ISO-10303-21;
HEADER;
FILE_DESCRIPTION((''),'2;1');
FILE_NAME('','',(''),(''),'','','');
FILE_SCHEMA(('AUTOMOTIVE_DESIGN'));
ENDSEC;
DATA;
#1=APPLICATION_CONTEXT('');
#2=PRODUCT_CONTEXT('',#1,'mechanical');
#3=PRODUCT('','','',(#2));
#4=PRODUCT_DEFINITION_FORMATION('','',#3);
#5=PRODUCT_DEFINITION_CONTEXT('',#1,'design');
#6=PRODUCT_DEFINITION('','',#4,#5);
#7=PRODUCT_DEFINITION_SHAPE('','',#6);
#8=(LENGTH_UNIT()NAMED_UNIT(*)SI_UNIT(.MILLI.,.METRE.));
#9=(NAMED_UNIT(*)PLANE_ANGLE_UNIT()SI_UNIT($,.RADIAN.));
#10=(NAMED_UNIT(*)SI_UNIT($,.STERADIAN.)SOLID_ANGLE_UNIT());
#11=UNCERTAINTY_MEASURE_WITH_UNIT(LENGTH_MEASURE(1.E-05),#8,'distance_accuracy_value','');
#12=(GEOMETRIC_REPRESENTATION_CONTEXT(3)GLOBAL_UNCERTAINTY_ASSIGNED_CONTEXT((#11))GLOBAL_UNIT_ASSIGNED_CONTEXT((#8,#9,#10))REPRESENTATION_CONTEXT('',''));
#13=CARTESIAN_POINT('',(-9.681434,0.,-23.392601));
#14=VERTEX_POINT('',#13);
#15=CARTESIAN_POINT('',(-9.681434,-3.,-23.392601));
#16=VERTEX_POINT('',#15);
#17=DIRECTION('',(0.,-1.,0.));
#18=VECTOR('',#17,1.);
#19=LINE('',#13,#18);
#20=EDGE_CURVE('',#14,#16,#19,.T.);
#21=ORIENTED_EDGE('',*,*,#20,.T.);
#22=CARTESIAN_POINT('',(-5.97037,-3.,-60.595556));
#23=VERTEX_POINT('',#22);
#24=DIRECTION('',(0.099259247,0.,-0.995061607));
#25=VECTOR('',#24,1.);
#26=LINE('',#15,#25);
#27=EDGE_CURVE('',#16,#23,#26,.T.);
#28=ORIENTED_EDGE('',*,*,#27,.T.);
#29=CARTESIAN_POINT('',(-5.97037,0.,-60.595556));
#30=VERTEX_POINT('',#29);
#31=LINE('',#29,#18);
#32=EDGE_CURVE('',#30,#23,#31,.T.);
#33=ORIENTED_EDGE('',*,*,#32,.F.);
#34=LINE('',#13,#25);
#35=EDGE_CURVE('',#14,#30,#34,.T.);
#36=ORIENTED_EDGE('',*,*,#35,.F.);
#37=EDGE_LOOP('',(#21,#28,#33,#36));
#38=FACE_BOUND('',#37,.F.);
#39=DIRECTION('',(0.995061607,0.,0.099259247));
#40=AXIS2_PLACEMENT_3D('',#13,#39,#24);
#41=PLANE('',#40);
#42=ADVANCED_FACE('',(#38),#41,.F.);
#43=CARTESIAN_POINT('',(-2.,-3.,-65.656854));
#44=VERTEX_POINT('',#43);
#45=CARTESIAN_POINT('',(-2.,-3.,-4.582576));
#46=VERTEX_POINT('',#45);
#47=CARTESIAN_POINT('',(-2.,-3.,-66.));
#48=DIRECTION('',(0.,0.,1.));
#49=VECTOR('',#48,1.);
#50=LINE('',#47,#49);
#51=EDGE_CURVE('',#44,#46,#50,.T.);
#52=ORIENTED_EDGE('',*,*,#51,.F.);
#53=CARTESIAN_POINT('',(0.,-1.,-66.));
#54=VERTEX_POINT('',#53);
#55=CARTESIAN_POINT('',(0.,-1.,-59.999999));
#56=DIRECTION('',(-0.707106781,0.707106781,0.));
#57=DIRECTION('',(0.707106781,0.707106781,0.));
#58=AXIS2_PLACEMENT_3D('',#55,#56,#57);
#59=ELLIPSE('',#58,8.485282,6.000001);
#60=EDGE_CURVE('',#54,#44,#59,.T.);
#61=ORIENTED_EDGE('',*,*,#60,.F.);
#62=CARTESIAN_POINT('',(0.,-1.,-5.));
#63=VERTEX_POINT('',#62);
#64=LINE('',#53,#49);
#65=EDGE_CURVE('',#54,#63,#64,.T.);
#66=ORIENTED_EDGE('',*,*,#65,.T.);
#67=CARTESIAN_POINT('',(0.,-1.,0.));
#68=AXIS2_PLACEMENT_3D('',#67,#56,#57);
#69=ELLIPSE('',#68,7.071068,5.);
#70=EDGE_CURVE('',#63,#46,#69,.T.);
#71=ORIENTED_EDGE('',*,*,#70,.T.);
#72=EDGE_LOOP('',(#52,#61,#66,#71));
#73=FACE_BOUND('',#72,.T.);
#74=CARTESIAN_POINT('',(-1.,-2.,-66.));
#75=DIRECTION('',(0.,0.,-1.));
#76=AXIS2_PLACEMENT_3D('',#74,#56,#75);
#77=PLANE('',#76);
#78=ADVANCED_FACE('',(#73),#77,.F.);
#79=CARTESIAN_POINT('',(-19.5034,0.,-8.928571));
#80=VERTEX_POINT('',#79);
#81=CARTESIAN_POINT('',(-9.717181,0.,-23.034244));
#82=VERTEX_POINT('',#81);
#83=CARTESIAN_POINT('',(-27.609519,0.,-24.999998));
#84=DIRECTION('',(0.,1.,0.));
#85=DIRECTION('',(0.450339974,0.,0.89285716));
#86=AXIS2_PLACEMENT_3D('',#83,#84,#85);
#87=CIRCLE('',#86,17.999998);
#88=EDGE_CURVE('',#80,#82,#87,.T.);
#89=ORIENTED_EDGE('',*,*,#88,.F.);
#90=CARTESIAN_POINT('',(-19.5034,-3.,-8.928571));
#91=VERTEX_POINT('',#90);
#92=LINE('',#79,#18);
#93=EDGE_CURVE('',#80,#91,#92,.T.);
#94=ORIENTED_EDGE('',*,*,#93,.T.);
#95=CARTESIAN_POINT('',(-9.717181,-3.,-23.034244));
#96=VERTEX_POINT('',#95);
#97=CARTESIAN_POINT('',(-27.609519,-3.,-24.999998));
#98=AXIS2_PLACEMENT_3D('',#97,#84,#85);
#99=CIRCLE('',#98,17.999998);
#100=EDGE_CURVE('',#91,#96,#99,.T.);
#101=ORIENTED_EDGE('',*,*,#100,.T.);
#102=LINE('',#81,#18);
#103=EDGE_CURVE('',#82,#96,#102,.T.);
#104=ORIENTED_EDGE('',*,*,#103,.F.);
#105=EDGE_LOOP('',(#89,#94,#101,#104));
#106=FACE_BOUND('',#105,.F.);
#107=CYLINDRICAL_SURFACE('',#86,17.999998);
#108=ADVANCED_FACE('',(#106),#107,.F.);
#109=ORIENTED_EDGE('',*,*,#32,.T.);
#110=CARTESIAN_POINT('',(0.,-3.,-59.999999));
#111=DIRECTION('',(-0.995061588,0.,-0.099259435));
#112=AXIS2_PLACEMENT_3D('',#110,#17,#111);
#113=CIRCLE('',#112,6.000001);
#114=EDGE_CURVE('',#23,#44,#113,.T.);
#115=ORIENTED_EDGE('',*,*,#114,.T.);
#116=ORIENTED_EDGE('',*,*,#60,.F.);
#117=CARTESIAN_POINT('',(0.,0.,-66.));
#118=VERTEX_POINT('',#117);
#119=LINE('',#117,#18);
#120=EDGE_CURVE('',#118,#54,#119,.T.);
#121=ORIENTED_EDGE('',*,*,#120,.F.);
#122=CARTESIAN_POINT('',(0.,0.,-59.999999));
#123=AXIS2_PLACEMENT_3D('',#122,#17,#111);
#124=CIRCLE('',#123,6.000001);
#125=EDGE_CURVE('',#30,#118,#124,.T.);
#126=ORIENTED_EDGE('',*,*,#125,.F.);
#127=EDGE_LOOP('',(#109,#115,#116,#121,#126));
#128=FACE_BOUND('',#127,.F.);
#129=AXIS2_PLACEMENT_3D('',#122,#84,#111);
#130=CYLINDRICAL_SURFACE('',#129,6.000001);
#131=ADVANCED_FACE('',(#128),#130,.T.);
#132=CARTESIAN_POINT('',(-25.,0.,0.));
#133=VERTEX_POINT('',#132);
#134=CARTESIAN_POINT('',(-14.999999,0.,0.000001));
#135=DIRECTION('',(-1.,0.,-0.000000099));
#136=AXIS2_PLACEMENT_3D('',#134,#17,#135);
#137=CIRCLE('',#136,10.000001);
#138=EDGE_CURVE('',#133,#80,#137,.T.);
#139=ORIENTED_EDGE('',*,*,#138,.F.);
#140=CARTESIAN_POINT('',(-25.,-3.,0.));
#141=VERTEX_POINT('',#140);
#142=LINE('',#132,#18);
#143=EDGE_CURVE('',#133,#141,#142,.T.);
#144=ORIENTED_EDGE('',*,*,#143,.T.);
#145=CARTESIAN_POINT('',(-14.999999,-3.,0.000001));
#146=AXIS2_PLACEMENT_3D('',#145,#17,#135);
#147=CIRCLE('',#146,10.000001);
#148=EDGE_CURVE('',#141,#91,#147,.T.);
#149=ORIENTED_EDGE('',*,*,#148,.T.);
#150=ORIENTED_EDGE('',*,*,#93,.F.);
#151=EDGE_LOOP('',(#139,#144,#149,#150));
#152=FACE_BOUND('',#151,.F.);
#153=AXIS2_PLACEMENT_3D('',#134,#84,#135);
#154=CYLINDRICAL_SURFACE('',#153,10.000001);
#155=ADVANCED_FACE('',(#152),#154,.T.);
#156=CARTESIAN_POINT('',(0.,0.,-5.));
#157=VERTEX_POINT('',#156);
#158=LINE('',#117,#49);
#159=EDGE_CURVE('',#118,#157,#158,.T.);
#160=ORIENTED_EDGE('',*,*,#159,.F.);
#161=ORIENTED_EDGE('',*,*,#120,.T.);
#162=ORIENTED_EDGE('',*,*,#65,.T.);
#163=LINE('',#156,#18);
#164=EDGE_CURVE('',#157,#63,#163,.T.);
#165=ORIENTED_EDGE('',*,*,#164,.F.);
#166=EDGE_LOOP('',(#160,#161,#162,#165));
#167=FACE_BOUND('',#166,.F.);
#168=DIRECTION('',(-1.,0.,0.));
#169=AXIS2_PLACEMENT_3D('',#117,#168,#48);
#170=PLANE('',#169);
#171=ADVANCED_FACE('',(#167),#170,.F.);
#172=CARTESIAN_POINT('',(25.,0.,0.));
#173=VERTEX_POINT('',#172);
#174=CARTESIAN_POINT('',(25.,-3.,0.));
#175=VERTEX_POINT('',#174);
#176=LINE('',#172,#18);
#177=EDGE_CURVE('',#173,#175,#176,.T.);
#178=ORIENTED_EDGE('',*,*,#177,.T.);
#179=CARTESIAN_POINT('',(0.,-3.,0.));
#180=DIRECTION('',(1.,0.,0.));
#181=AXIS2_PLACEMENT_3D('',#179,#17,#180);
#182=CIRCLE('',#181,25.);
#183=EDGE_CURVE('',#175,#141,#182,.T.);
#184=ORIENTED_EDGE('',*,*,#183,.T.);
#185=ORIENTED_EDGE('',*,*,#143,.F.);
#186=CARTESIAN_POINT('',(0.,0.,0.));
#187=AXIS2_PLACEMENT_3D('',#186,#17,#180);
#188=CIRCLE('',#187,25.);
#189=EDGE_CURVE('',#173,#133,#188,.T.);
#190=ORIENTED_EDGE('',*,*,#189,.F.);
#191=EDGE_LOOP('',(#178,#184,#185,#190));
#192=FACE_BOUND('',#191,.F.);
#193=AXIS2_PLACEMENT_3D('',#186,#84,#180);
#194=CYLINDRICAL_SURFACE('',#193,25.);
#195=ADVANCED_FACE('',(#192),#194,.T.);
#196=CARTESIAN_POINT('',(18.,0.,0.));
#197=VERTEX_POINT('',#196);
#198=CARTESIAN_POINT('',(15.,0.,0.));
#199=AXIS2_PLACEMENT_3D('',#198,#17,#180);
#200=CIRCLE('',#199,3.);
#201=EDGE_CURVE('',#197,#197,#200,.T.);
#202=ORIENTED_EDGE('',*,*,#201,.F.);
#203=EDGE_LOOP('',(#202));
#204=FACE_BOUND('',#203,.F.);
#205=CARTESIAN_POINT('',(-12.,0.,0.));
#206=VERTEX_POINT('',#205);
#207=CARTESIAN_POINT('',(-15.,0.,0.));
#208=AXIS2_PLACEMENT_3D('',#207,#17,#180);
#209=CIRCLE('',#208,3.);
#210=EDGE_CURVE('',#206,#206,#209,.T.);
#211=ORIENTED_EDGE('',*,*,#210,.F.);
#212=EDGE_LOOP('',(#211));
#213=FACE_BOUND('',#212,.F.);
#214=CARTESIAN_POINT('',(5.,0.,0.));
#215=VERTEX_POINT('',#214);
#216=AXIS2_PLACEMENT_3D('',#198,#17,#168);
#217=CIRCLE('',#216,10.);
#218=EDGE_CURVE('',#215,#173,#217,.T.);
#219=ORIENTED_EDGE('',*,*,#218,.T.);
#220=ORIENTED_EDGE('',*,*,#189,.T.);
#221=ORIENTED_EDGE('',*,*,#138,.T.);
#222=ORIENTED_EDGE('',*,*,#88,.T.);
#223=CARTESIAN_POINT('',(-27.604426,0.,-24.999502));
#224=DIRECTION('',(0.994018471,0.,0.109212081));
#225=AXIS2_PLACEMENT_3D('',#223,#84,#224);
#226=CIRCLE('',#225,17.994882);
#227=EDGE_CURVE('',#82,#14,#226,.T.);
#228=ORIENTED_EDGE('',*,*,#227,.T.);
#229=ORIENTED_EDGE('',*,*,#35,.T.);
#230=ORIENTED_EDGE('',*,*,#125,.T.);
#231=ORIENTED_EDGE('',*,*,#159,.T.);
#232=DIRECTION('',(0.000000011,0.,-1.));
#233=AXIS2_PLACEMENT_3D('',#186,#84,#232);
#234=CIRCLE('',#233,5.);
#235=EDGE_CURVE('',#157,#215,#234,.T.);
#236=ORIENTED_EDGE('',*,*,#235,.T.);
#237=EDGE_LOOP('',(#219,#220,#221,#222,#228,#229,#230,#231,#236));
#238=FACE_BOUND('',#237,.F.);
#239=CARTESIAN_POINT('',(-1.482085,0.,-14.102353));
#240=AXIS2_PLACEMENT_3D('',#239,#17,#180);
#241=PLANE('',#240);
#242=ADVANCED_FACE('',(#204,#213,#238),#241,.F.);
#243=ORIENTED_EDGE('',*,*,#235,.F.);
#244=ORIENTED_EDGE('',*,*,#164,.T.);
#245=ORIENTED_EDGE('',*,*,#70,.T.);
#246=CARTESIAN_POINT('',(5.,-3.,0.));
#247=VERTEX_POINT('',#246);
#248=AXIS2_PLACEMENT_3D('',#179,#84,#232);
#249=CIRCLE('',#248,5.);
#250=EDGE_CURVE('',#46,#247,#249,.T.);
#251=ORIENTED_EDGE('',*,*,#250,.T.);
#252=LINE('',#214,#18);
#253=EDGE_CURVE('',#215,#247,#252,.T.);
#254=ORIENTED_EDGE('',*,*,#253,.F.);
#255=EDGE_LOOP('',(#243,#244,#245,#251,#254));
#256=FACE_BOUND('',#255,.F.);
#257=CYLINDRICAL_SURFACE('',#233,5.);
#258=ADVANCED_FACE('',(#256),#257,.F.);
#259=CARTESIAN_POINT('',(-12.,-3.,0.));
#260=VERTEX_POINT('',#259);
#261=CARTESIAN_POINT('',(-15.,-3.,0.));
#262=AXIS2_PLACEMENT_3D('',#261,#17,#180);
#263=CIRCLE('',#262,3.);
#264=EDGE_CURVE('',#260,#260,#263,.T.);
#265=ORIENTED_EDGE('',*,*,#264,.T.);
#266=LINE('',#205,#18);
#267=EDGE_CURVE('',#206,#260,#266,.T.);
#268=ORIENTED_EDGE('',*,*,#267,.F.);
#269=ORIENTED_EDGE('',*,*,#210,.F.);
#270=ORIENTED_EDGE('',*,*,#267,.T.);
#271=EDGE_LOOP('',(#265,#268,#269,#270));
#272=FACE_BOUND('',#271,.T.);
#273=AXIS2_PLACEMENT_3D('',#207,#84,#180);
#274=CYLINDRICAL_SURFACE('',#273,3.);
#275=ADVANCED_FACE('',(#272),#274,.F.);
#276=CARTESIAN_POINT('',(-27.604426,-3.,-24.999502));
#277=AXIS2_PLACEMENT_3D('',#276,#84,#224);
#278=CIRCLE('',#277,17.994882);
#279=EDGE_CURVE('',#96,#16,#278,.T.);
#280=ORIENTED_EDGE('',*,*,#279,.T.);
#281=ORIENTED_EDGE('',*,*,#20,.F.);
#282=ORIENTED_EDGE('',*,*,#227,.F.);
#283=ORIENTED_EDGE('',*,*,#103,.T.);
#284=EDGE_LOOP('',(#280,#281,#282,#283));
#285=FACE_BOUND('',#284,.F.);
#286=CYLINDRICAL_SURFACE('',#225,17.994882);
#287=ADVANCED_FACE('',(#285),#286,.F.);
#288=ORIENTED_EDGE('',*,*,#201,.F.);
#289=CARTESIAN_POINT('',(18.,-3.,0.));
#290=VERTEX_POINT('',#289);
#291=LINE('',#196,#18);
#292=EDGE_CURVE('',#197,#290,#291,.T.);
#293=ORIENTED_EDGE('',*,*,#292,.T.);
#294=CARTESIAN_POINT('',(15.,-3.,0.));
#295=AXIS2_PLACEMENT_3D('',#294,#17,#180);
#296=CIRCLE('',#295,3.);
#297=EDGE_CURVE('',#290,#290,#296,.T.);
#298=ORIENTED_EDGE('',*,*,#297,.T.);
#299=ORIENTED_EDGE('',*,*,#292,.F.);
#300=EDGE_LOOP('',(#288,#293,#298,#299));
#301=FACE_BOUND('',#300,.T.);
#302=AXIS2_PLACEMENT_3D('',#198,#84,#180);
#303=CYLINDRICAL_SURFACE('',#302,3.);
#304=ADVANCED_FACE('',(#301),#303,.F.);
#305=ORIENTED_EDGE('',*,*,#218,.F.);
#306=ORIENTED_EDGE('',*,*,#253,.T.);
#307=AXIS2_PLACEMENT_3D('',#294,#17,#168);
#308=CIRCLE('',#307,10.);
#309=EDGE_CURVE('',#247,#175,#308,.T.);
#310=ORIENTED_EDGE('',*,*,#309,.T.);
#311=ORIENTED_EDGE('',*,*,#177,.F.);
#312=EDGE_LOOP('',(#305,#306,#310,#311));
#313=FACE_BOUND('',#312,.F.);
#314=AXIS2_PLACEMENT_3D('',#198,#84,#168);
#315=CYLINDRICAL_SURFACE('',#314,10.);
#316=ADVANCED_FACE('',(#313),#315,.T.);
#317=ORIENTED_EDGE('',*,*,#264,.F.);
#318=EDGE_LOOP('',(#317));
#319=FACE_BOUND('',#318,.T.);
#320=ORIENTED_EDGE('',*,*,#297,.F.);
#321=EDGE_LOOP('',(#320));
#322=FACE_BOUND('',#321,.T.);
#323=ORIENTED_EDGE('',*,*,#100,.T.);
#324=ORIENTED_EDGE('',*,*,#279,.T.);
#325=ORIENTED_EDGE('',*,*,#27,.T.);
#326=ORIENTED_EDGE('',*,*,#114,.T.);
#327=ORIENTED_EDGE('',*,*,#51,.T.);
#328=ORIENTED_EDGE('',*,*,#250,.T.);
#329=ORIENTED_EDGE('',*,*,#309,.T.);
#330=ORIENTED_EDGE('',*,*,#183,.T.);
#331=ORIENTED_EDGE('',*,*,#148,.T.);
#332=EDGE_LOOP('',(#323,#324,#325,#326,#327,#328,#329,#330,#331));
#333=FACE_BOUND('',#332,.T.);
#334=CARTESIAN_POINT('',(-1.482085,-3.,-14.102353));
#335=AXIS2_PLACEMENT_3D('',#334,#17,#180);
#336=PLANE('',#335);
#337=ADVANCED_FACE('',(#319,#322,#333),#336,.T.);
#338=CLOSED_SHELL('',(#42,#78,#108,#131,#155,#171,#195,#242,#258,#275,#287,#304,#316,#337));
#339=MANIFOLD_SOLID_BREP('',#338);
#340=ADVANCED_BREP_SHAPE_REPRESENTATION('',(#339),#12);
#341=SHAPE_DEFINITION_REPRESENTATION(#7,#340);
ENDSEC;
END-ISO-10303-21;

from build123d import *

# Parameters (mm, degrees)
F0_R     = 3
F1_DEPTH = 3
F2_SIZE  = 2


with BuildPart() as f1:
    # F0 (on Front) → F1 (new body)
    with BuildSketch(Plane.XZ):
        with BuildLine():
            ThreePointArc((5, 0), (15, -10), (25, 0))
            ThreePointArc((25, 0), (0, 25), (-25, 0))
            ThreePointArc((-25, 0), (-23.515691, -5.242423), (-19.5034, -8.928571))
            ThreePointArc((-19.5034, -8.928571), (-12.820251, -14.739516), (-9.717181, -23.034244))
            ThreePointArc((-9.717181, -23.034244), (-9.698411, -23.213333), (-9.681434, -23.392601))
            Line((-9.681434, -23.392601), (-5.97037, -60.595556))
            ThreePointArc((-5.97037, -60.595556), (-4.026578, -64.448221), (0, -66))
            Line((0, -66), (0, -60))
            Line((0, -60), (0, -5))
            ThreePointArc((0, -5), (-3.535534, 3.535534), (5, 0))
        make_face()
        with Locations((-15, 0)):
            Circle(F0_R, mode=Mode.SUBTRACT)
        with Locations((15, 0)):
            Circle(F0_R, mode=Mode.SUBTRACT)
    extrude(amount=F1_DEPTH)

    # F2
    f2_edges = [f1.edges().sort_by_distance(p)[0] for p in [
        (0, -3, -35.5),
    ]]
    chamfer(f2_edges, length=F2_SIZE)


solid = f1.part
